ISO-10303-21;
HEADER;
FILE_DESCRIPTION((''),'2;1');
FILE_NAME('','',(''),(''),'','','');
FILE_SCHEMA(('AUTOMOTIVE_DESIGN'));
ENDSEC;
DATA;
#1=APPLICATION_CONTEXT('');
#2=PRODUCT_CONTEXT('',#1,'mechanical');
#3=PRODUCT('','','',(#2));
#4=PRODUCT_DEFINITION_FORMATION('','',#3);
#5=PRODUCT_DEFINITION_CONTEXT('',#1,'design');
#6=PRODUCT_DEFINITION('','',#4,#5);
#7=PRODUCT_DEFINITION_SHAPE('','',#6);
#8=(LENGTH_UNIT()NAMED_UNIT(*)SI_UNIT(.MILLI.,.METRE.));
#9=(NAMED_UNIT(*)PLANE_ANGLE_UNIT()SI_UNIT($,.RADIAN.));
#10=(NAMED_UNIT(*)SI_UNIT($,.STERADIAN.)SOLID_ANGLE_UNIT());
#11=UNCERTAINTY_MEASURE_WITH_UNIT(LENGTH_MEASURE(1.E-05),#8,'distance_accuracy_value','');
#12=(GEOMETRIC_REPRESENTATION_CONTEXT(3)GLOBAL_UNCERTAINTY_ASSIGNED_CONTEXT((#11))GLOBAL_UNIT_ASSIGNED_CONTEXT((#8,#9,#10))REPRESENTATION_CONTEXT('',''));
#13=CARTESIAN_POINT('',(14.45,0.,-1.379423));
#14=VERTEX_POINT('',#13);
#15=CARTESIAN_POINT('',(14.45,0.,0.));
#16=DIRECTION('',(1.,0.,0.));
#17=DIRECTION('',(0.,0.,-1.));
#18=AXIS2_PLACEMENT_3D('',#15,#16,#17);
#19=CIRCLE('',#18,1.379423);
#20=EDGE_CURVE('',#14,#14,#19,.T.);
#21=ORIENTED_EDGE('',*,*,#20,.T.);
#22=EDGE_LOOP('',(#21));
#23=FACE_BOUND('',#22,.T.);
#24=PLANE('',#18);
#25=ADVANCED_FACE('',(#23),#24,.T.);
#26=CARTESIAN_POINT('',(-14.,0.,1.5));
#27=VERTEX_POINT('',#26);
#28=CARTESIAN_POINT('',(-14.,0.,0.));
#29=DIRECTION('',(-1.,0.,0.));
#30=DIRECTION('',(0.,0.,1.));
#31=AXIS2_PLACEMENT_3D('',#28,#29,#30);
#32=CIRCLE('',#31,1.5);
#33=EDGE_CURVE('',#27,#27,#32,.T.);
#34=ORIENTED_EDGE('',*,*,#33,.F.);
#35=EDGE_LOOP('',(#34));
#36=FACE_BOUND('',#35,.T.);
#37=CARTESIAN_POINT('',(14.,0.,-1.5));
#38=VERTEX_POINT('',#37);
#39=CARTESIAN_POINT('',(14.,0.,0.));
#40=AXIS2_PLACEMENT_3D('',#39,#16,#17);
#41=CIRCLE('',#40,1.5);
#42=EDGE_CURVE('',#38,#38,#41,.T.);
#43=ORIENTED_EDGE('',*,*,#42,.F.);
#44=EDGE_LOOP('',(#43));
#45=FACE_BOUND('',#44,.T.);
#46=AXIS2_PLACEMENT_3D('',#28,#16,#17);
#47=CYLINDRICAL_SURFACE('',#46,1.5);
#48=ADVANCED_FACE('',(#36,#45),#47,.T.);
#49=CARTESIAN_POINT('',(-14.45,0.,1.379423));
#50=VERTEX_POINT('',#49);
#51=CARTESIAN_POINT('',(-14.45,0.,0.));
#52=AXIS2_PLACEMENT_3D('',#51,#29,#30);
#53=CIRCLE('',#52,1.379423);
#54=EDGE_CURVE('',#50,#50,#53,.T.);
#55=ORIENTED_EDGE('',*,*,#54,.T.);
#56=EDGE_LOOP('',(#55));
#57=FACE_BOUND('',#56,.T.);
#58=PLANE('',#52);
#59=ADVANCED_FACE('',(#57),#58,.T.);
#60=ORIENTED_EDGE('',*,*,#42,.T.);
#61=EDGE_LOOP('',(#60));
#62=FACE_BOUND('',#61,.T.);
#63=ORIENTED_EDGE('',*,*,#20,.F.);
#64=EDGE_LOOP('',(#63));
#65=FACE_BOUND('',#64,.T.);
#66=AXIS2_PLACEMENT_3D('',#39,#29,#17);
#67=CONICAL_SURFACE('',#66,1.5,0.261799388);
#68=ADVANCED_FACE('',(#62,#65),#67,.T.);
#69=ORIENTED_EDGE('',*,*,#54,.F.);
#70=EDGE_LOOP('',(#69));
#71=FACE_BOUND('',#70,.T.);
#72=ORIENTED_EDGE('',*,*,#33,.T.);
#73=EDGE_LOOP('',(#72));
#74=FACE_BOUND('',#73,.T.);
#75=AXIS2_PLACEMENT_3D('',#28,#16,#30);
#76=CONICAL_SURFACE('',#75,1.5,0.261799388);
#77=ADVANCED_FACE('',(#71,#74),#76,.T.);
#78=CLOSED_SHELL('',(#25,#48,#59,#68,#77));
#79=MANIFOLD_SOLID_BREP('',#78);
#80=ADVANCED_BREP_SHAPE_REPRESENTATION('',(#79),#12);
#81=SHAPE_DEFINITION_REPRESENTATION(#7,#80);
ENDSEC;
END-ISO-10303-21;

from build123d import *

# Parameters (mm, degrees)
EXTRUDE1_DEPTH      = 14
EXTRUDE1_DEPTH_BACK = 14
SKETCH2_R           = 1.5
SKETCH3_R           = 1.5
EXTRUDE2_DEPTH      = 0.45
EXTRUDE2_TAPER      = 15
SKETCH4_R           = 1.5
EXTRUDE3_DEPTH      = 0.45
EXTRUDE3_TAPER      = 15


with BuildPart() as part:
    # Sketch2 → Extrude1 (new, two sides: drawn at the far end of the back side and taken through both)
    with BuildSketch(Plane(origin=(0, 0, 0), x_dir=(0, 0, -1), z_dir=(1, 0, 0)).offset(-EXTRUDE1_DEPTH_BACK)):
        Circle(SKETCH2_R)
    extrude(amount=EXTRUDE1_DEPTH + EXTRUDE1_DEPTH_BACK)

    # Sketch3 → Extrude2 (add)
    with BuildSketch(Plane(origin=(14, 0, 0), x_dir=(0, 0, -1), z_dir=(1, 0, 0))):
        Circle(SKETCH3_R)
    extrude(amount=EXTRUDE2_DEPTH, taper=EXTRUDE2_TAPER)

    # Sketch4 → Extrude3 (add)
    with BuildSketch(Plane.ZY.offset(14)):
        with Locations(Location((0, 0, 0), (0, 0, 180))):
            Circle(SKETCH4_R)
    extrude(amount=EXTRUDE3_DEPTH, taper=EXTRUDE3_TAPER)


solid = part.part
